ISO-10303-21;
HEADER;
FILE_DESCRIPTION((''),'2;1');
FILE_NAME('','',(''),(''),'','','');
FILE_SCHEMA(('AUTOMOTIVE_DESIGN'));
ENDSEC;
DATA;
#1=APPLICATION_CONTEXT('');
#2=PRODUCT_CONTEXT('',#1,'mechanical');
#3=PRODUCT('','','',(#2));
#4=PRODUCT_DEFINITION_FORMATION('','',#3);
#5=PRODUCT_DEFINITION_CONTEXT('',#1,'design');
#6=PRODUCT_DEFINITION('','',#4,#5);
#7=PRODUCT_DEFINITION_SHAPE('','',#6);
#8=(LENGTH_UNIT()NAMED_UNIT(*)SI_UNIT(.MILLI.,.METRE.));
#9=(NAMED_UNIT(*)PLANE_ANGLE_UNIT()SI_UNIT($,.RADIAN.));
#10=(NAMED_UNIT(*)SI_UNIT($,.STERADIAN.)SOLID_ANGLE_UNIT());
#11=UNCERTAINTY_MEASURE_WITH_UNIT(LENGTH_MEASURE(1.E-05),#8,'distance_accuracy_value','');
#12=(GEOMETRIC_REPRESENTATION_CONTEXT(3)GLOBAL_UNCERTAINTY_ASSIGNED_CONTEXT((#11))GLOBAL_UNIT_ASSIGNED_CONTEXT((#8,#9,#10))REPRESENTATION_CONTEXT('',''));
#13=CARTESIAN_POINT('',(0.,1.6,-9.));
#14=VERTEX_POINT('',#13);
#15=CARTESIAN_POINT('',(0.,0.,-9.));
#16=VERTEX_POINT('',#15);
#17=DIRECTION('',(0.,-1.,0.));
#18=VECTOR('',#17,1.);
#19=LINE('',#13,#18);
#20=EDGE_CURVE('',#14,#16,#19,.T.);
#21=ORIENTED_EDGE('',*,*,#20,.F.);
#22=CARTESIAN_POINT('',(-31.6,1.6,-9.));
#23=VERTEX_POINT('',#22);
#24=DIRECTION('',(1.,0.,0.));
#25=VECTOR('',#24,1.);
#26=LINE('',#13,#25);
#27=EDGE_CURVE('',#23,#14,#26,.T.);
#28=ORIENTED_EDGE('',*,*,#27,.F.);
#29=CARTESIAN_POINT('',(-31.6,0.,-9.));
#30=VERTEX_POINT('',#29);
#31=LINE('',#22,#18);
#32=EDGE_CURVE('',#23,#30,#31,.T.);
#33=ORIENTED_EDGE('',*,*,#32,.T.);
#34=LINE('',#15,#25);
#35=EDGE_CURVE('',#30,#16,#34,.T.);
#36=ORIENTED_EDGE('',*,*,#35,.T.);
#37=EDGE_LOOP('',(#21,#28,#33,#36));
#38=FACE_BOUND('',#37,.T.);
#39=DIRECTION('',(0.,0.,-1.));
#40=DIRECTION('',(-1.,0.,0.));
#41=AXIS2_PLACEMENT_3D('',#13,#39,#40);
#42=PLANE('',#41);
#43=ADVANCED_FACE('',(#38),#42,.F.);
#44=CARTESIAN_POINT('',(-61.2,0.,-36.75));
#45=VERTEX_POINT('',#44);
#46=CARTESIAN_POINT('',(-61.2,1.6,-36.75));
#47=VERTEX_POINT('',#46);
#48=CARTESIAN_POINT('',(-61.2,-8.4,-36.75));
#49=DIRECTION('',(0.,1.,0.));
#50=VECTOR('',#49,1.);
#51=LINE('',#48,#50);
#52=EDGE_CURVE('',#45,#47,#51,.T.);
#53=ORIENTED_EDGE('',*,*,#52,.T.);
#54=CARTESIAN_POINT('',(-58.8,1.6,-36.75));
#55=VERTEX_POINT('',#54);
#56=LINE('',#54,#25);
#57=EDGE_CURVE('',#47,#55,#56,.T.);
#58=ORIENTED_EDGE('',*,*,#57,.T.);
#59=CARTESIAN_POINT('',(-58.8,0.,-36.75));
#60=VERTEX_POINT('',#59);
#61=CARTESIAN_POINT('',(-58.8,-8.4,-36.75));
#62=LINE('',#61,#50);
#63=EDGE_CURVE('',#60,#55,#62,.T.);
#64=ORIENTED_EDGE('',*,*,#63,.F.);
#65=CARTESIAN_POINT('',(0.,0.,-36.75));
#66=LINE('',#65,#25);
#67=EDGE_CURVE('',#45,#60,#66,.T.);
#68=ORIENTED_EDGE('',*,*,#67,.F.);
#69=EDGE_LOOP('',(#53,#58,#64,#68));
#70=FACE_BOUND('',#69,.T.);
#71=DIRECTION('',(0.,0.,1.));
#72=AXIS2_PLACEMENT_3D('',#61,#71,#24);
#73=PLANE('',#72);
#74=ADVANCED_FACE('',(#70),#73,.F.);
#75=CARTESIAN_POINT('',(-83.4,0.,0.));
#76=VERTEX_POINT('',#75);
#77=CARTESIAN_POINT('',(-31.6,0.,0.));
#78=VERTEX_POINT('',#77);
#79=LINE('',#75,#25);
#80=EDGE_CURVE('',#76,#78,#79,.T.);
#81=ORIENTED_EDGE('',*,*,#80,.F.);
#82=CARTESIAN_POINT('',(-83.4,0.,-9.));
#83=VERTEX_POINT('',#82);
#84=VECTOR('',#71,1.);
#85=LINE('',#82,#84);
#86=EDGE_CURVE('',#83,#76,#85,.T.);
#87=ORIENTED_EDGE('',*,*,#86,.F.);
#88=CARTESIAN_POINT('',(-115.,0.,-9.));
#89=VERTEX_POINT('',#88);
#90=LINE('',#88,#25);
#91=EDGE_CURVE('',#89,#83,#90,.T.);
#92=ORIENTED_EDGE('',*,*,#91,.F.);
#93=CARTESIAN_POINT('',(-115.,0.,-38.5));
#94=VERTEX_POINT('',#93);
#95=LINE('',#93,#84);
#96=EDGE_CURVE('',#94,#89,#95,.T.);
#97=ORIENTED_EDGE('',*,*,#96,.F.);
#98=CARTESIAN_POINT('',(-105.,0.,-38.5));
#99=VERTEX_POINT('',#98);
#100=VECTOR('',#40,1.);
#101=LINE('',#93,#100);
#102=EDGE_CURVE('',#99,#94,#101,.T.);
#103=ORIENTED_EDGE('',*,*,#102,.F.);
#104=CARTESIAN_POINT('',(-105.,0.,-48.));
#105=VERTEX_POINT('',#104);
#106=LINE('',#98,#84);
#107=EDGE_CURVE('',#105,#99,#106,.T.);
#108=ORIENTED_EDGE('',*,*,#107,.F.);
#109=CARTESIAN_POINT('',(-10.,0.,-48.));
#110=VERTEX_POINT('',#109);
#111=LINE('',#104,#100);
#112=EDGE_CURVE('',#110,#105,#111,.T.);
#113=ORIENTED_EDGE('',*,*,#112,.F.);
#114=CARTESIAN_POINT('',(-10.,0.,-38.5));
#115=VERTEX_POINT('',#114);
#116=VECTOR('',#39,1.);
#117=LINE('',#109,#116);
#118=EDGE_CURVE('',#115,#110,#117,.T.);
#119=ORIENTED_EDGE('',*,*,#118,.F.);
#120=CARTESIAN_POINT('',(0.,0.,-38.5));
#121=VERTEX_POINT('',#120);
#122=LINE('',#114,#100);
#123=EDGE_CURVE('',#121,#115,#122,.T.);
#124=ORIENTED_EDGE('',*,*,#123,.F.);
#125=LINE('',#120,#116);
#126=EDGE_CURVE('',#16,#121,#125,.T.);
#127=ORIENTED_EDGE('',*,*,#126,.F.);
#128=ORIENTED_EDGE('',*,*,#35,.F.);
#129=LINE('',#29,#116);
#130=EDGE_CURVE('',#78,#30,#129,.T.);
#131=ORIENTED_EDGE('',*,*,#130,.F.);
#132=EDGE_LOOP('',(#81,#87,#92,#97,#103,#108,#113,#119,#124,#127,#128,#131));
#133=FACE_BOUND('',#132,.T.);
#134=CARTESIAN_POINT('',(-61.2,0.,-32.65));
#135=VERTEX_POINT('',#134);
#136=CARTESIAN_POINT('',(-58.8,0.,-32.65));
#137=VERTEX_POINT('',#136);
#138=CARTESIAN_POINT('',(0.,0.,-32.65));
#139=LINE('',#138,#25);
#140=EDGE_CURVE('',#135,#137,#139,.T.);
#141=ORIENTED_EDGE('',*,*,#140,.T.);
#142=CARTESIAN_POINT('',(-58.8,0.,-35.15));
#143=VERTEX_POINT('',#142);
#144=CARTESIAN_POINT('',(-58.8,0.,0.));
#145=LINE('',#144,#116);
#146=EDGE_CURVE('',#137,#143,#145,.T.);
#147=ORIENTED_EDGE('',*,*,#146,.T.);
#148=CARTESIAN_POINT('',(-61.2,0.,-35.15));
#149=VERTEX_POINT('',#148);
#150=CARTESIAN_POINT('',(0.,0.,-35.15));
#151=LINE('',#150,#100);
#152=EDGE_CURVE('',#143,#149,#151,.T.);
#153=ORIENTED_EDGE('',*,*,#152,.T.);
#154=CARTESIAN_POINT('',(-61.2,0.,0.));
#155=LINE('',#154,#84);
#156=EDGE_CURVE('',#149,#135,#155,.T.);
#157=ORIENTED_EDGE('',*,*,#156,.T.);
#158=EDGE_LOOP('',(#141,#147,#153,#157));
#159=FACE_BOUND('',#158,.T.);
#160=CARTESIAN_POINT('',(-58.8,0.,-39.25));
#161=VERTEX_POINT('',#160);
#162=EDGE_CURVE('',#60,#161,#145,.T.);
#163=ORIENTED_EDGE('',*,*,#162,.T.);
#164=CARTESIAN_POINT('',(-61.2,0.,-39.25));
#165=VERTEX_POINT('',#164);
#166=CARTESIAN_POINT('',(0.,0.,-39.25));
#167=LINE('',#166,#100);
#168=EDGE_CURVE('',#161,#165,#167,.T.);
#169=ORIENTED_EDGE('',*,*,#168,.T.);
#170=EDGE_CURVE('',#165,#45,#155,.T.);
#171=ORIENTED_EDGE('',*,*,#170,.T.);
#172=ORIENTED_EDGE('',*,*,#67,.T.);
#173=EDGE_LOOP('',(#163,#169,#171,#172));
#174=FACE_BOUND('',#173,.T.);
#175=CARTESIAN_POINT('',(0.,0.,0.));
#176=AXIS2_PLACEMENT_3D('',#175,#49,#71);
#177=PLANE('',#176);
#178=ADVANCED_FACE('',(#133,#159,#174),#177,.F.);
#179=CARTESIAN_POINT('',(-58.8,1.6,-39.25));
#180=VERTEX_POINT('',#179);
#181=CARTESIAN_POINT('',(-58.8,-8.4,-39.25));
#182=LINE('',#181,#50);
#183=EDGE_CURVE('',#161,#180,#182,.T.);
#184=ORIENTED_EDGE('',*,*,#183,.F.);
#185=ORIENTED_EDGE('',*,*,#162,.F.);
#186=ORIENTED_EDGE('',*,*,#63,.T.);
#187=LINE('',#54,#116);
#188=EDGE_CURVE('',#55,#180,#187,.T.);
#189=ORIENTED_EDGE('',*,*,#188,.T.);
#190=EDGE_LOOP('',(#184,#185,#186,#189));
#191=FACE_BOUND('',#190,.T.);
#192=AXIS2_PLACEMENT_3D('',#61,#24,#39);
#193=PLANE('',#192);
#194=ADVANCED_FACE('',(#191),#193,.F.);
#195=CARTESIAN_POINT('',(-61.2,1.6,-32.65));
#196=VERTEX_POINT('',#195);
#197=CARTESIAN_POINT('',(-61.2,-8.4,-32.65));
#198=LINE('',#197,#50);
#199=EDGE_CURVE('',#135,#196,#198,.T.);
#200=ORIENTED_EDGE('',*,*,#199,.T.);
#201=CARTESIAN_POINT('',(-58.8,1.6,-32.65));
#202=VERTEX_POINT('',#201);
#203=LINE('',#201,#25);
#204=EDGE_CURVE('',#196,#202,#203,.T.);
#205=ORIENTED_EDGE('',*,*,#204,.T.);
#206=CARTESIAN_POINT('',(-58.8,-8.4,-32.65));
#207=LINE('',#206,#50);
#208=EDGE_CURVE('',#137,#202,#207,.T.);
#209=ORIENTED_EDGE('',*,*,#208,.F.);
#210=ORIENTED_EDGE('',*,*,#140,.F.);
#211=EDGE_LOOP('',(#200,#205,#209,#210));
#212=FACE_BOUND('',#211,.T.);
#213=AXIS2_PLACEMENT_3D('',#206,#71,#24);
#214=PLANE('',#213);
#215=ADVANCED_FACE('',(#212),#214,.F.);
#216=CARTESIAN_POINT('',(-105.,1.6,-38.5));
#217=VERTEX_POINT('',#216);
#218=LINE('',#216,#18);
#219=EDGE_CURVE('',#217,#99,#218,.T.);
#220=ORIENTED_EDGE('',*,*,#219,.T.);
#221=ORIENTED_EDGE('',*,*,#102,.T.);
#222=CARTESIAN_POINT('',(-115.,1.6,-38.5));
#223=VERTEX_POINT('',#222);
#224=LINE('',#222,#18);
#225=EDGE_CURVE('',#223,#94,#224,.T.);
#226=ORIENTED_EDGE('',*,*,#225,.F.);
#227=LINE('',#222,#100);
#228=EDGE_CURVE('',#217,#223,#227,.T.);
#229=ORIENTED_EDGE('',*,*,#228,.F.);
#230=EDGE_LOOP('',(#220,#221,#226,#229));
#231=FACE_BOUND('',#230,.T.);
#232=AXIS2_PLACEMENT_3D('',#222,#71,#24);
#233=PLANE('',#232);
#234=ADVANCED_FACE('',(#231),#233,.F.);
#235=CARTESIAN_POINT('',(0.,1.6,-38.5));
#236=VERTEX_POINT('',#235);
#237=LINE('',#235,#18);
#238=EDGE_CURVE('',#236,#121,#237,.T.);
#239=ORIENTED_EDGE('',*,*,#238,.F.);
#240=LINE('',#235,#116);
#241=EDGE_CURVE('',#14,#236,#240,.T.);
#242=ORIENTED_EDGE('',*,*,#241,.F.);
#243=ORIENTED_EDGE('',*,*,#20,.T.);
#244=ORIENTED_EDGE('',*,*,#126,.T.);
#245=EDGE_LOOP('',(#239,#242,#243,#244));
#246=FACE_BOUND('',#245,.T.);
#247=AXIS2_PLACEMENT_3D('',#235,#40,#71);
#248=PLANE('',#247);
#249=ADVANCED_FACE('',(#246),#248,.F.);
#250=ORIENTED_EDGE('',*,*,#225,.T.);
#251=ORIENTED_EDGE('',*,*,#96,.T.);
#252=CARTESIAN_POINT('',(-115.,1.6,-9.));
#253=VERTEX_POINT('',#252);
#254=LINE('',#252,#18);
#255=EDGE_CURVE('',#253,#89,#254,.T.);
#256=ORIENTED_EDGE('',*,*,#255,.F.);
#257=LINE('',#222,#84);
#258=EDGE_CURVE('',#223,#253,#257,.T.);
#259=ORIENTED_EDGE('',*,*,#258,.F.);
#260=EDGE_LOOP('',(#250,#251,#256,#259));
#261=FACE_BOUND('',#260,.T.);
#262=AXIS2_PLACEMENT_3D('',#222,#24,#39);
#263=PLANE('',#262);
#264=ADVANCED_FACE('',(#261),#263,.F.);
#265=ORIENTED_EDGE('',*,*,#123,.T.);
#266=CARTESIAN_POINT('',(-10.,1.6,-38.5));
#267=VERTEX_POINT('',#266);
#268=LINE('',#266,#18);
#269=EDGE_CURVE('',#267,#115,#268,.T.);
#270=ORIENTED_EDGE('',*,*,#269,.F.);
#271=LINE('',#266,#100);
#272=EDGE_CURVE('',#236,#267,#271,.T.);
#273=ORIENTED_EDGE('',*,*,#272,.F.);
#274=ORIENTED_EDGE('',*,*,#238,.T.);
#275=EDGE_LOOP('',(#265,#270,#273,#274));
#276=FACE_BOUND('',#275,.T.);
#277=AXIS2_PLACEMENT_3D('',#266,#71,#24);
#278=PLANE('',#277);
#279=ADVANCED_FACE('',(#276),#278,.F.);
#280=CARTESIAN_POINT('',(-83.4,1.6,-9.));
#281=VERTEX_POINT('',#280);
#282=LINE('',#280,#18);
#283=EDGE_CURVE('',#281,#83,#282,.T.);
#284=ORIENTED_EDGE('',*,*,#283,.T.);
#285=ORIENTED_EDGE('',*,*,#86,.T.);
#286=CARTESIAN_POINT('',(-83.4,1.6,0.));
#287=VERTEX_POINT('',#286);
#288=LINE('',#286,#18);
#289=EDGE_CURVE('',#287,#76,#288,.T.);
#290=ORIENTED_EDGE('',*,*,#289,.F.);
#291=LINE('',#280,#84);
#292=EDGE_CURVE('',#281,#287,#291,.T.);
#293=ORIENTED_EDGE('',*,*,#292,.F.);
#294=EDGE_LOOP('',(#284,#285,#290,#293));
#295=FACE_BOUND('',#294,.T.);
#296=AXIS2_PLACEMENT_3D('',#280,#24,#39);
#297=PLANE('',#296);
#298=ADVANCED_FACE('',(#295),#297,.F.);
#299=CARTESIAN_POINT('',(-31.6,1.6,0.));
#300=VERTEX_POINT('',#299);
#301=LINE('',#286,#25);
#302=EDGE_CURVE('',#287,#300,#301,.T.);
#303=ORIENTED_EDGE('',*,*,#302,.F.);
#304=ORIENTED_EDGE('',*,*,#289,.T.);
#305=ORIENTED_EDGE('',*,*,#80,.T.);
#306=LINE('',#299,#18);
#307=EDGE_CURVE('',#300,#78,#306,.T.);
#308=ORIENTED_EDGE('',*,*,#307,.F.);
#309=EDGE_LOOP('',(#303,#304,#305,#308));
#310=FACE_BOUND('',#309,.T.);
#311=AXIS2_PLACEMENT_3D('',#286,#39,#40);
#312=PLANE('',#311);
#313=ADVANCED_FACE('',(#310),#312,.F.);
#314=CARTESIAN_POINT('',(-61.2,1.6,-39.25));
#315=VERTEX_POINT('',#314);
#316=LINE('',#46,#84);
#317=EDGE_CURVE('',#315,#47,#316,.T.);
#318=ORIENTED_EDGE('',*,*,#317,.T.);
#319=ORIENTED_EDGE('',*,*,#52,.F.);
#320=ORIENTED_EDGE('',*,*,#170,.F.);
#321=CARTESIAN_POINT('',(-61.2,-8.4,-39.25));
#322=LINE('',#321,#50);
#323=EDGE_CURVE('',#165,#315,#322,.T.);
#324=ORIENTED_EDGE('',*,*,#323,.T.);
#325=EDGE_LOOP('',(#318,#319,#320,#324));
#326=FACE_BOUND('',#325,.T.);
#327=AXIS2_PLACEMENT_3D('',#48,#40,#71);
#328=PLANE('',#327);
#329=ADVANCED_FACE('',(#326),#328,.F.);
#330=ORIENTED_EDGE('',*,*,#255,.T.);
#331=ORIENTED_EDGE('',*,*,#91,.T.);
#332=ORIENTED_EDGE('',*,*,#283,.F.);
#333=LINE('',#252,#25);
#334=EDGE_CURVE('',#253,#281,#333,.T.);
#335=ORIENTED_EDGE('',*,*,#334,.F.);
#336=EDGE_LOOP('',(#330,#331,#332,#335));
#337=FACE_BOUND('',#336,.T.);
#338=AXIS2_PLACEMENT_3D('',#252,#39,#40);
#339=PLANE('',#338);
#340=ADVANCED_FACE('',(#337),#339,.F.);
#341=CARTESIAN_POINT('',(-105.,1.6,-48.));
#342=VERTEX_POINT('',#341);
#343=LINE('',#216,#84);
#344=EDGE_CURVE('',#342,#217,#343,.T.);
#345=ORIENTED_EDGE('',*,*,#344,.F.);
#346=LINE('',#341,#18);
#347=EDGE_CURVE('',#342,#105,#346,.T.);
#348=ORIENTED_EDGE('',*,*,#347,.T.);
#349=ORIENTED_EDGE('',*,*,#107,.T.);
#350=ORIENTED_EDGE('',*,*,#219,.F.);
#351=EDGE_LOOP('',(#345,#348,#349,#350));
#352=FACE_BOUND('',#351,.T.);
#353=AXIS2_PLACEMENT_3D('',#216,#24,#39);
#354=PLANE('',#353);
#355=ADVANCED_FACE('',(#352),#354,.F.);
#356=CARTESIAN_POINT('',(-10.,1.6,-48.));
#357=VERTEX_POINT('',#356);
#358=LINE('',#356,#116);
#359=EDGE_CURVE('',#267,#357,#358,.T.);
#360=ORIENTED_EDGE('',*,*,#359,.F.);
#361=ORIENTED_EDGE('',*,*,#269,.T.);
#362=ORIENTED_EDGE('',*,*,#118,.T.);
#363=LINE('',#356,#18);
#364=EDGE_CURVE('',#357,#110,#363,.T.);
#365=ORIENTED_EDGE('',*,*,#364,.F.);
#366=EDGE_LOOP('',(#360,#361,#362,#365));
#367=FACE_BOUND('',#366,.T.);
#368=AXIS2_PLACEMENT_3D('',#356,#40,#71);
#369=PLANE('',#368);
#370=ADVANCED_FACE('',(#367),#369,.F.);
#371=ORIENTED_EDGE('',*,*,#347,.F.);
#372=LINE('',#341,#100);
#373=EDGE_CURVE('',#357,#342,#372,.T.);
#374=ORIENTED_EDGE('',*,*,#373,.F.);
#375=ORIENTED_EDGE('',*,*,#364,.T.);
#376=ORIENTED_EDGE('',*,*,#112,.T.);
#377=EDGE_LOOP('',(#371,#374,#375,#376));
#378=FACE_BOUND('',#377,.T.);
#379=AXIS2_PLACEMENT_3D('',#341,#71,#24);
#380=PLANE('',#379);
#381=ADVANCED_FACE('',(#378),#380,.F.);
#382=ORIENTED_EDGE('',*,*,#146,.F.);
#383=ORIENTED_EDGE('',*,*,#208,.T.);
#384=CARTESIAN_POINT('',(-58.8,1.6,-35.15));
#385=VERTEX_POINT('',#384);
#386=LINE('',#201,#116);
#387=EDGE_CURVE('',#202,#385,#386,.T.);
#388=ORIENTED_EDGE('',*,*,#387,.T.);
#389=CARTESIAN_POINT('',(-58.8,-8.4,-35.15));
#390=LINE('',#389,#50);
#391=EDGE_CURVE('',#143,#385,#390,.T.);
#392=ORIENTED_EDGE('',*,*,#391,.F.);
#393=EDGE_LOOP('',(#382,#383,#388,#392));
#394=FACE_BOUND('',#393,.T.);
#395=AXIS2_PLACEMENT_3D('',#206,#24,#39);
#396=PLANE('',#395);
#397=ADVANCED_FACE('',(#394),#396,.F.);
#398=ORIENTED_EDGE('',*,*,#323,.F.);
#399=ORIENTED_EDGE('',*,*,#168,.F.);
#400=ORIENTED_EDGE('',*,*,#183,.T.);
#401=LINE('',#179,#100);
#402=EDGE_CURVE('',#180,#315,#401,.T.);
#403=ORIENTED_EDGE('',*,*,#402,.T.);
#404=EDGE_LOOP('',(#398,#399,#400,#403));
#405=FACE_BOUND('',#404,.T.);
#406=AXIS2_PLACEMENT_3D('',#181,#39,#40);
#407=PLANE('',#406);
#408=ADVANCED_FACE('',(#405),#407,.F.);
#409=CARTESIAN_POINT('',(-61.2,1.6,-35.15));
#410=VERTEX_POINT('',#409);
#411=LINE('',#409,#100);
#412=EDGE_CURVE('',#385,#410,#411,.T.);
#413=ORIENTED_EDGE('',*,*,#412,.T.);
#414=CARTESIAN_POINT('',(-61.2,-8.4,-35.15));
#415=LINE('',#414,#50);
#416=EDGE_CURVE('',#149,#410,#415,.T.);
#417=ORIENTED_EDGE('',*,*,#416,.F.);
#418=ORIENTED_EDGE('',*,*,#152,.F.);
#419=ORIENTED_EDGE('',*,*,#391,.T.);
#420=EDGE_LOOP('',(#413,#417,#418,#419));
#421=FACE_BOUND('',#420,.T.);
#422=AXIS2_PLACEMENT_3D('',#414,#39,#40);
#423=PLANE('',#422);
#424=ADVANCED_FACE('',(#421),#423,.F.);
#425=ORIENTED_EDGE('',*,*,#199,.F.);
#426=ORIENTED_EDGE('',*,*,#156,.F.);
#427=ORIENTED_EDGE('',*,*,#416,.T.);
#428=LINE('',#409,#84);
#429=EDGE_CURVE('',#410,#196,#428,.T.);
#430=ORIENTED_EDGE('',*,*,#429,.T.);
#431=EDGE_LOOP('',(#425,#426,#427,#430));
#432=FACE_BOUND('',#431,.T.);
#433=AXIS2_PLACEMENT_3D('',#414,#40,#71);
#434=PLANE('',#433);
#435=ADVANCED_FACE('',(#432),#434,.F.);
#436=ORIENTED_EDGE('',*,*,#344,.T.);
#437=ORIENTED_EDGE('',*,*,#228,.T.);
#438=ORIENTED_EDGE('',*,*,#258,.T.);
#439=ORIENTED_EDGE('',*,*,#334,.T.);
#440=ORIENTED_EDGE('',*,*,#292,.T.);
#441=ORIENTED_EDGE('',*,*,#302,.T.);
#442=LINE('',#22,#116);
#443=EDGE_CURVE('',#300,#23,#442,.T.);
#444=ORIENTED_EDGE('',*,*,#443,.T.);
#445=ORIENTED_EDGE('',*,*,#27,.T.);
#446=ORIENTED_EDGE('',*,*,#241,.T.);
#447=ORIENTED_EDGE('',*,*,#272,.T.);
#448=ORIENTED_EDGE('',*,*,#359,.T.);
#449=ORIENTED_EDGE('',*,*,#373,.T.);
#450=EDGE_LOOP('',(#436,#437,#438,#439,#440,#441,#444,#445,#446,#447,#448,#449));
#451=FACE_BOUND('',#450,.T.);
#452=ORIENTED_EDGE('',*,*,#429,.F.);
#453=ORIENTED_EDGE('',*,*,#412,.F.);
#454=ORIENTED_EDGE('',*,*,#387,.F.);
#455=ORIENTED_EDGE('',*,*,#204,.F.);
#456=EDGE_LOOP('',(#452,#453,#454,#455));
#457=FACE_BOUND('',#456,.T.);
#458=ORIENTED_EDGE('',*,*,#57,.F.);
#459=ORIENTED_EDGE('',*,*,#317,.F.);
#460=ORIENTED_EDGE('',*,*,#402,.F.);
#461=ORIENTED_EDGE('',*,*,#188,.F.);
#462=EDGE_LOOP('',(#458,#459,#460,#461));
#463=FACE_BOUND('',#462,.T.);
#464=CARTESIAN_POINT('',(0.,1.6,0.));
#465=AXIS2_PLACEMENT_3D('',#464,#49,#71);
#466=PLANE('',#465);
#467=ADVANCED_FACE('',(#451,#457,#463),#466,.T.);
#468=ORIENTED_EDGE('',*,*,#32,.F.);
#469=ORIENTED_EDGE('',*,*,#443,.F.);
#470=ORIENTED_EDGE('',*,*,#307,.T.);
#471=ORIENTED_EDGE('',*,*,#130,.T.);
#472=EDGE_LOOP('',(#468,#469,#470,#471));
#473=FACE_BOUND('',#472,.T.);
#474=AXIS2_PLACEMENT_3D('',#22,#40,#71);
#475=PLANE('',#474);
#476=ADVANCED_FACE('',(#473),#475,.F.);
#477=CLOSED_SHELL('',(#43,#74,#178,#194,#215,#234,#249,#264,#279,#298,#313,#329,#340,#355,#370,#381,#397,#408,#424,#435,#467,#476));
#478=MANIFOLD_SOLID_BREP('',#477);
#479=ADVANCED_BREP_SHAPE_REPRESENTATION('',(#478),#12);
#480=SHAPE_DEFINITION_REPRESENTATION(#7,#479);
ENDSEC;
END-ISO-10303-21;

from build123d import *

# Parameters (mm, degrees)
EXTRUDE_1_DEPTH     = 1.6
SKETCH_2_W          = 2.4
SKETCH_2_H          = 2.5
CUT_EXTRUDE_1_DEPTH = 10


with BuildPart() as part:
    # 草图1 → 凸台-拉伸1 (new body)
    with BuildSketch(Plane(origin=(0, 0, 0), x_dir=(1, 0, 0), z_dir=(0, 1, 0))):
        Polygon((-115, 9), (-83.4, 9), (-83.4, 0), (-31.6, 0), (-31.6, 9), (0, 9), (0, 38.5), (-10, 38.5), (-10, 48), (-105, 48), (-105, 38.5), (-115, 38.5), align=None)
    extrude(amount=EXTRUDE_1_DEPTH)

    # 草图2 → 切除-拉伸1 (cut)
    with BuildSketch(Plane(origin=(0, 1.6, 0), x_dir=(1, 0, 0), z_dir=(0, 1, 0))):
        with Locations((-60, 38)):
            Rectangle(SKETCH_2_W, SKETCH_2_H)
        with Locations((-60, 33.9)):
            Rectangle(SKETCH_2_W, SKETCH_2_H)
    extrude(amount=-CUT_EXTRUDE_1_DEPTH, mode=Mode.SUBTRACT)


solid = part.part
